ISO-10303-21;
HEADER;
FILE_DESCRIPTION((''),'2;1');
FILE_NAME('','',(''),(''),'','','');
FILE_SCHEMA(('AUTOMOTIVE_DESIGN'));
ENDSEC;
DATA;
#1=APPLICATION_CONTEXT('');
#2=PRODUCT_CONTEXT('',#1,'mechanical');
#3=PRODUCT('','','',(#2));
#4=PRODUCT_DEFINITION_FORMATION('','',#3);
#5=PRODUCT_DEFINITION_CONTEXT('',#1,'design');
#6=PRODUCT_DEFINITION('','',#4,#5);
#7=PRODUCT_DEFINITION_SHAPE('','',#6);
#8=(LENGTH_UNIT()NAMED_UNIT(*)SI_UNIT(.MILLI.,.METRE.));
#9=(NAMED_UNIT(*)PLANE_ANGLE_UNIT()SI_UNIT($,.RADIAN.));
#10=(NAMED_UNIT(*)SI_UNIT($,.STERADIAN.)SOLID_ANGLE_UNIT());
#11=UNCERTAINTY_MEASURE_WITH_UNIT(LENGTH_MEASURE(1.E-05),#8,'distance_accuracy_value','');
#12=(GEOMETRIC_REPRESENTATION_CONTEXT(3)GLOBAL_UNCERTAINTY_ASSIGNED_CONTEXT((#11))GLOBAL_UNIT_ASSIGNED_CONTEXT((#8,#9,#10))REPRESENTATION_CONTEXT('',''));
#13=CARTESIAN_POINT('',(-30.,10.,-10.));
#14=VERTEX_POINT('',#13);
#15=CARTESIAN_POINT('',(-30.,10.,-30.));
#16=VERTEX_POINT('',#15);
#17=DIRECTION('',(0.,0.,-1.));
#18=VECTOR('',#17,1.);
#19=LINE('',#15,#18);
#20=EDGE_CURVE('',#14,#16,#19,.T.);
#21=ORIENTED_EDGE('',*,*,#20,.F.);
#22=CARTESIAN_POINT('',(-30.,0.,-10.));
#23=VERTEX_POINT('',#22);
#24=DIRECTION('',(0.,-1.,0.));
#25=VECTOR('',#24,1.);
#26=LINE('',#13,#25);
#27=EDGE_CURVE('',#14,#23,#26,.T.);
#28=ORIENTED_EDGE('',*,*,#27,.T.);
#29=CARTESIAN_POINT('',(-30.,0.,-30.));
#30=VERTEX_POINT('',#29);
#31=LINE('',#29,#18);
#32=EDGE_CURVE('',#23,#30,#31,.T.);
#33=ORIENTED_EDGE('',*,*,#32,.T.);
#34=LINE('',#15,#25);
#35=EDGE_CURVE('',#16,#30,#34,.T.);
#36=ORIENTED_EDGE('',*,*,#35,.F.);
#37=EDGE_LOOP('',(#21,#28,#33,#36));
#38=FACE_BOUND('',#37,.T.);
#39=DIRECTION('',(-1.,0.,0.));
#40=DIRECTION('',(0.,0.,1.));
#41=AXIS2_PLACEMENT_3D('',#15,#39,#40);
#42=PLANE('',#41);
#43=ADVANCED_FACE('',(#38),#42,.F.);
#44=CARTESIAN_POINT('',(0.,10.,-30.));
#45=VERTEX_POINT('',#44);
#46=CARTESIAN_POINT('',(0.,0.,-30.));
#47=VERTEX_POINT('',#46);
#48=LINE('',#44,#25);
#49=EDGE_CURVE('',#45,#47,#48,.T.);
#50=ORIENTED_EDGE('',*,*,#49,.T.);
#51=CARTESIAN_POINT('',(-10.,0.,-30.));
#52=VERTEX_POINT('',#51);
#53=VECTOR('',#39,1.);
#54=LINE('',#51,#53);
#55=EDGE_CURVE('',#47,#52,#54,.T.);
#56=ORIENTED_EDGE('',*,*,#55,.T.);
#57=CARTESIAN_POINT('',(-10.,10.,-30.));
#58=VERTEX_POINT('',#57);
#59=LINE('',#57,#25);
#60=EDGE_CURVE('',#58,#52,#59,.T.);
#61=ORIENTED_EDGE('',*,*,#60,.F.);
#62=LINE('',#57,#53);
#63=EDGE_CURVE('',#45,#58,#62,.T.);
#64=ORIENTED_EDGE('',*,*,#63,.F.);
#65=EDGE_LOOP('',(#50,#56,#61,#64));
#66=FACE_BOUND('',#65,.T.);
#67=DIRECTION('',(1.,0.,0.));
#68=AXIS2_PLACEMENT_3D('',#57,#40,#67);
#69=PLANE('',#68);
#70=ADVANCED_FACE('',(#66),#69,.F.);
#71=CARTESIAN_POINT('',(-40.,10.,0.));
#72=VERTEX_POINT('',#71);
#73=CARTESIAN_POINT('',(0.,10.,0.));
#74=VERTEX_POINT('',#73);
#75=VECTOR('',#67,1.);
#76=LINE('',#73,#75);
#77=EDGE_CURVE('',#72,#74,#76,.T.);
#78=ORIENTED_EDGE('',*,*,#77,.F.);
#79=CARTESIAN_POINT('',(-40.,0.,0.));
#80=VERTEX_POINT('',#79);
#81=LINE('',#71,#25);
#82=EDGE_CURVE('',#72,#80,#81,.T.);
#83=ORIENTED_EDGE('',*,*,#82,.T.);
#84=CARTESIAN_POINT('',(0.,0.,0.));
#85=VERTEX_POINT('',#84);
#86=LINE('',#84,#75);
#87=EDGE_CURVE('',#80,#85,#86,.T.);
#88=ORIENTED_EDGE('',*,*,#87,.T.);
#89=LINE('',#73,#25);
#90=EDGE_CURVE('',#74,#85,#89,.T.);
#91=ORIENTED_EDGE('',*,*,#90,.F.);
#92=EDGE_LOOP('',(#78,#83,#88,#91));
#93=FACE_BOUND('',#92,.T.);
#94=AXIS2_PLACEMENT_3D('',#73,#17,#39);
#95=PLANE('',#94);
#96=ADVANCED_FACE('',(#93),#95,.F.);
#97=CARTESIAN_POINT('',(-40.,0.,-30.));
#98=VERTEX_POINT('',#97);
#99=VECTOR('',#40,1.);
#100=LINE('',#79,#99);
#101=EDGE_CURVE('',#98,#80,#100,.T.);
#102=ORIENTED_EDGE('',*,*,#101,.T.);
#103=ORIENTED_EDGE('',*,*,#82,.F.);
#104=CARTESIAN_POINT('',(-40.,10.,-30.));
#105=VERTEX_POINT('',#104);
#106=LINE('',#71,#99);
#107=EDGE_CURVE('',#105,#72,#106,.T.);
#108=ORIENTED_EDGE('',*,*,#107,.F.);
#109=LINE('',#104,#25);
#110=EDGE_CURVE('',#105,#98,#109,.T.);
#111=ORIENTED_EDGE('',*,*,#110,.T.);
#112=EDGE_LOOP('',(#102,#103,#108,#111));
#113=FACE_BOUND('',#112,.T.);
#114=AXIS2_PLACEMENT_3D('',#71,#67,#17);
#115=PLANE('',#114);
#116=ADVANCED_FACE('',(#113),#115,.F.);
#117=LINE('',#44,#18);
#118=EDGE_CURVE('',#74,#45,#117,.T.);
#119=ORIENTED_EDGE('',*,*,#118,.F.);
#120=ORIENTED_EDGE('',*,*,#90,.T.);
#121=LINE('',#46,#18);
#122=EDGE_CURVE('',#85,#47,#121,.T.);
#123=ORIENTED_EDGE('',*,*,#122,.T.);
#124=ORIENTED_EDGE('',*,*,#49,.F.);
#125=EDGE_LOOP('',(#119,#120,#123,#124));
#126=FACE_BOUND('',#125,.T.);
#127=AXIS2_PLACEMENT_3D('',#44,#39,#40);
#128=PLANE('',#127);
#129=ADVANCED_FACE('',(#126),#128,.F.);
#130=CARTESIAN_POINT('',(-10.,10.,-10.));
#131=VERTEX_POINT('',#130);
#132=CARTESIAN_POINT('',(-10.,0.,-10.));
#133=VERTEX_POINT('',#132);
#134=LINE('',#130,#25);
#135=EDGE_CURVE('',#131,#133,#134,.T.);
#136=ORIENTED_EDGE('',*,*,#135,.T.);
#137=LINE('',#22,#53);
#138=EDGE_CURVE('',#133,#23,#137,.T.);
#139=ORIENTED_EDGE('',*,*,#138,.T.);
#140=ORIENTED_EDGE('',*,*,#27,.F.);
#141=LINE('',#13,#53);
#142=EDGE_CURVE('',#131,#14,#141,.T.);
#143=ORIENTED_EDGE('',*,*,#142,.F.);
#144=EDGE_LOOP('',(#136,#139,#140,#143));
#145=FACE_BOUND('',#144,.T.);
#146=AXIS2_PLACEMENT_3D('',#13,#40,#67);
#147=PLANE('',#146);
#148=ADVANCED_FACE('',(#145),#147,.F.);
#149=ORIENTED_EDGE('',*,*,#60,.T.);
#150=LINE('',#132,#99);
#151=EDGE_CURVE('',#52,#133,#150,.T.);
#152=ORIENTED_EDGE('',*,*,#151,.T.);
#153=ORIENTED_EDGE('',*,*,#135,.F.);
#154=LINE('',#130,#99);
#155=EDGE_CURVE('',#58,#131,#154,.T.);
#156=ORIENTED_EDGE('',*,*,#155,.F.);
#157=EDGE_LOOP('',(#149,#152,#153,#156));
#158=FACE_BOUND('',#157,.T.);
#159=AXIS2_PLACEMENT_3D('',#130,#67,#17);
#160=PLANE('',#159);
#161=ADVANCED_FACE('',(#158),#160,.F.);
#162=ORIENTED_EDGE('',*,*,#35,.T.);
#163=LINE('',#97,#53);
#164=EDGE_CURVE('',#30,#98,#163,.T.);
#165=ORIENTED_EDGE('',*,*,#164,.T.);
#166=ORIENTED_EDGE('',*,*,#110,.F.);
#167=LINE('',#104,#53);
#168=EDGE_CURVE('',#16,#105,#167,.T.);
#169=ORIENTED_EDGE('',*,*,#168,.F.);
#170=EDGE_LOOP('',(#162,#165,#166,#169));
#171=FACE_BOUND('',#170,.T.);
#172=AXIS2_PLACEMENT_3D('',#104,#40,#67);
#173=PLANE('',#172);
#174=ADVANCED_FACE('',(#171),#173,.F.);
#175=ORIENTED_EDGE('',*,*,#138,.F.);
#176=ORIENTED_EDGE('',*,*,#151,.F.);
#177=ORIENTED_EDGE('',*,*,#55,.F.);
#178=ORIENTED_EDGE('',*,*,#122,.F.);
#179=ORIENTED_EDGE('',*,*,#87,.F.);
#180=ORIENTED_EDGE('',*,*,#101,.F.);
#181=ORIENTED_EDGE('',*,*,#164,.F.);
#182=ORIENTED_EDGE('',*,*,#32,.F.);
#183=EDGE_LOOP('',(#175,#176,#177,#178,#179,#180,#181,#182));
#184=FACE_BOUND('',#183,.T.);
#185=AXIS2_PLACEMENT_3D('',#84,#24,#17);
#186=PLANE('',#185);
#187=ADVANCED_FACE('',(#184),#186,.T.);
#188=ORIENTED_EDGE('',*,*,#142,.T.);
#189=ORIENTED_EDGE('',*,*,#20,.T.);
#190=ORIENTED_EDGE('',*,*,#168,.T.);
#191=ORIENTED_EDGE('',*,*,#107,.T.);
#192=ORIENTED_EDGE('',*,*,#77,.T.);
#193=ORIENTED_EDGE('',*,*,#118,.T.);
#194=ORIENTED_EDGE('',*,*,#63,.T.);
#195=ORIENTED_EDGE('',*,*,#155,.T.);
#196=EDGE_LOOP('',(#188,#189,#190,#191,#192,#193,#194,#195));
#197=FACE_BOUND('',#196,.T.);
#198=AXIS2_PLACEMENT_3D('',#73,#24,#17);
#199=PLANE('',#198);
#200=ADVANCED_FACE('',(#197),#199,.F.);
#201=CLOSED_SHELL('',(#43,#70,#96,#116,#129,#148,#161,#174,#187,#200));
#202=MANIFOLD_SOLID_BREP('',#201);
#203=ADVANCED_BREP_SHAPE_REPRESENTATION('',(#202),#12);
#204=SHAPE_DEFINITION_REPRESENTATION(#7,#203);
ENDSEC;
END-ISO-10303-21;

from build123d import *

# Parameters (mm, degrees)
BOSS_EXTRUDE1_DEPTH = 10


with BuildPart() as part:
    # Sketch1 → Boss-Extrude1 (new body)
    with BuildSketch(Plane(origin=(0, 0, 0), x_dir=(1, 0, 0), z_dir=(0, 1, 0))):
        Polygon((0, 0), (-40, 0), (-40, 30), (-30, 30), (-30, 10), (-10, 10), (-10, 30), (0, 30), align=None)
    extrude(amount=BOSS_EXTRUDE1_DEPTH)


solid = part.part
